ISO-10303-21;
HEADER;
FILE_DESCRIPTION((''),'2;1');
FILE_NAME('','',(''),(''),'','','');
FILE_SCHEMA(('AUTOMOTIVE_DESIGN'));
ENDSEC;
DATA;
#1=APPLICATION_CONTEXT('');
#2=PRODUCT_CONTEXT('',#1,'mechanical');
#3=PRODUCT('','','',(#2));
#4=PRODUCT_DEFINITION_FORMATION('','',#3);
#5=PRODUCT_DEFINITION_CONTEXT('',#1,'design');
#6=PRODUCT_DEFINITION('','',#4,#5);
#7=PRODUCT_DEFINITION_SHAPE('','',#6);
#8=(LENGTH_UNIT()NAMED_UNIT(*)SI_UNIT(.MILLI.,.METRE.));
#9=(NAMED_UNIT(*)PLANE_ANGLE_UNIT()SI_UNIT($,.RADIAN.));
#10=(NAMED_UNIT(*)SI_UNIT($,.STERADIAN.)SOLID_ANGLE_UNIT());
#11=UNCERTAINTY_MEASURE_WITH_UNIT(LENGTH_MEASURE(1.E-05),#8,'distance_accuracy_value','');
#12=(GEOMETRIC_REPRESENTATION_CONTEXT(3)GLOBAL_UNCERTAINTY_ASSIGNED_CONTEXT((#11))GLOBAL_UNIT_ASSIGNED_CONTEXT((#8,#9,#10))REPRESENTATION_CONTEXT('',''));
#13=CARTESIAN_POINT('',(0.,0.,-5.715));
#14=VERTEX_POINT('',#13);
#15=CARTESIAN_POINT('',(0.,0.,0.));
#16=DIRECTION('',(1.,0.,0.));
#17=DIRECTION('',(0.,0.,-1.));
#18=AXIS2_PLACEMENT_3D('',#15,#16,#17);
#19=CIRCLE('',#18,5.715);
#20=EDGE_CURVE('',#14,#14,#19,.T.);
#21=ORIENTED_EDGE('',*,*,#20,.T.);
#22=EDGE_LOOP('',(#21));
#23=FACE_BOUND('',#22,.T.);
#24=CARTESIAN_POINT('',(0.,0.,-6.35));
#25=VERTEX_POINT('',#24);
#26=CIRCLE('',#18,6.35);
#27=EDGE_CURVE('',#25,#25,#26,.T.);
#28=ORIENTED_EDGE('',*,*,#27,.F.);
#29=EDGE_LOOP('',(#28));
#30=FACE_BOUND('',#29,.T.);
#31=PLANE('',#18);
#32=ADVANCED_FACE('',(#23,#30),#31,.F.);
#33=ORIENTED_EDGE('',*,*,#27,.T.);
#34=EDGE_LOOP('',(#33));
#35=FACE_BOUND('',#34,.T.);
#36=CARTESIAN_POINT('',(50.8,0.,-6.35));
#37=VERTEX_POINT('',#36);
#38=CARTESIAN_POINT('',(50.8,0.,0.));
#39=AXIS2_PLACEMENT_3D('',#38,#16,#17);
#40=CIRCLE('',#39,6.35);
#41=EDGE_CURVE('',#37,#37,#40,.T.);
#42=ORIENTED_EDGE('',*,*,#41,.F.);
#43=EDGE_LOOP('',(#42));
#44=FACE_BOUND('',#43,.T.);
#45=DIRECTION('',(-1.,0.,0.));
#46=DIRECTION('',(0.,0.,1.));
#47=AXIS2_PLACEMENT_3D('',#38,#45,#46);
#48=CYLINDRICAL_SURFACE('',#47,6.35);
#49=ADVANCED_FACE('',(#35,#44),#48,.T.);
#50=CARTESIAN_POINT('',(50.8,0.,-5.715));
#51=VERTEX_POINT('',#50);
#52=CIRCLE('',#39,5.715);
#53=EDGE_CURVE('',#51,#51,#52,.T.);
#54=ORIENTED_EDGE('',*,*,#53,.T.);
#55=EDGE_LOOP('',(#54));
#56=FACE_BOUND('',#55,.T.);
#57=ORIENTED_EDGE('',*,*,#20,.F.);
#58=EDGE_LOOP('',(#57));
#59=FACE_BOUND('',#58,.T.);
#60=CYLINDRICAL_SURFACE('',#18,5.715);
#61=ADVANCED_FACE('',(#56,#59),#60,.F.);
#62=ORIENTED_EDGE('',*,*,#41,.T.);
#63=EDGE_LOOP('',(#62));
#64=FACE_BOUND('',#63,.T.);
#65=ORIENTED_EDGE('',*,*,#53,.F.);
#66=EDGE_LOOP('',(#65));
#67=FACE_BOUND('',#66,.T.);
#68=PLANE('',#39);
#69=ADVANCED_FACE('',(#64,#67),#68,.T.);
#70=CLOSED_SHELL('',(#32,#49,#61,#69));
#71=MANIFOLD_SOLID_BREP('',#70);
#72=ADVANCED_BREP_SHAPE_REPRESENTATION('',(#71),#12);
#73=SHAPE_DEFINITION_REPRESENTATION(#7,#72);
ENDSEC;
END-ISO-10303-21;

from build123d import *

# Parameters (mm, degrees)
SKETCH1_R           = 6.35
BOSS_EXTRUDE1_DEPTH = 50.8
SKETCH2_R           = 5.715
CUT_EXTRUDE1_DEPTH  = 51.8


with BuildPart() as part:
    # Sketch1 → Boss-Extrude1 (new body)
    with BuildSketch(Plane(origin=(0, 0, 0), x_dir=(0, 0, -1), z_dir=(1, 0, 0))):
        Circle(SKETCH1_R)
    extrude(amount=BOSS_EXTRUDE1_DEPTH)

    # Sketch2 → Cut-Extrude1 (cut, through all)
    with BuildSketch(Plane(origin=(50.8, 0, 0), x_dir=(0, 0, -1), z_dir=(1, 0, 0))):
        Circle(SKETCH2_R)
    extrude(amount=-CUT_EXTRUDE1_DEPTH, mode=Mode.SUBTRACT)


solid = part.part
